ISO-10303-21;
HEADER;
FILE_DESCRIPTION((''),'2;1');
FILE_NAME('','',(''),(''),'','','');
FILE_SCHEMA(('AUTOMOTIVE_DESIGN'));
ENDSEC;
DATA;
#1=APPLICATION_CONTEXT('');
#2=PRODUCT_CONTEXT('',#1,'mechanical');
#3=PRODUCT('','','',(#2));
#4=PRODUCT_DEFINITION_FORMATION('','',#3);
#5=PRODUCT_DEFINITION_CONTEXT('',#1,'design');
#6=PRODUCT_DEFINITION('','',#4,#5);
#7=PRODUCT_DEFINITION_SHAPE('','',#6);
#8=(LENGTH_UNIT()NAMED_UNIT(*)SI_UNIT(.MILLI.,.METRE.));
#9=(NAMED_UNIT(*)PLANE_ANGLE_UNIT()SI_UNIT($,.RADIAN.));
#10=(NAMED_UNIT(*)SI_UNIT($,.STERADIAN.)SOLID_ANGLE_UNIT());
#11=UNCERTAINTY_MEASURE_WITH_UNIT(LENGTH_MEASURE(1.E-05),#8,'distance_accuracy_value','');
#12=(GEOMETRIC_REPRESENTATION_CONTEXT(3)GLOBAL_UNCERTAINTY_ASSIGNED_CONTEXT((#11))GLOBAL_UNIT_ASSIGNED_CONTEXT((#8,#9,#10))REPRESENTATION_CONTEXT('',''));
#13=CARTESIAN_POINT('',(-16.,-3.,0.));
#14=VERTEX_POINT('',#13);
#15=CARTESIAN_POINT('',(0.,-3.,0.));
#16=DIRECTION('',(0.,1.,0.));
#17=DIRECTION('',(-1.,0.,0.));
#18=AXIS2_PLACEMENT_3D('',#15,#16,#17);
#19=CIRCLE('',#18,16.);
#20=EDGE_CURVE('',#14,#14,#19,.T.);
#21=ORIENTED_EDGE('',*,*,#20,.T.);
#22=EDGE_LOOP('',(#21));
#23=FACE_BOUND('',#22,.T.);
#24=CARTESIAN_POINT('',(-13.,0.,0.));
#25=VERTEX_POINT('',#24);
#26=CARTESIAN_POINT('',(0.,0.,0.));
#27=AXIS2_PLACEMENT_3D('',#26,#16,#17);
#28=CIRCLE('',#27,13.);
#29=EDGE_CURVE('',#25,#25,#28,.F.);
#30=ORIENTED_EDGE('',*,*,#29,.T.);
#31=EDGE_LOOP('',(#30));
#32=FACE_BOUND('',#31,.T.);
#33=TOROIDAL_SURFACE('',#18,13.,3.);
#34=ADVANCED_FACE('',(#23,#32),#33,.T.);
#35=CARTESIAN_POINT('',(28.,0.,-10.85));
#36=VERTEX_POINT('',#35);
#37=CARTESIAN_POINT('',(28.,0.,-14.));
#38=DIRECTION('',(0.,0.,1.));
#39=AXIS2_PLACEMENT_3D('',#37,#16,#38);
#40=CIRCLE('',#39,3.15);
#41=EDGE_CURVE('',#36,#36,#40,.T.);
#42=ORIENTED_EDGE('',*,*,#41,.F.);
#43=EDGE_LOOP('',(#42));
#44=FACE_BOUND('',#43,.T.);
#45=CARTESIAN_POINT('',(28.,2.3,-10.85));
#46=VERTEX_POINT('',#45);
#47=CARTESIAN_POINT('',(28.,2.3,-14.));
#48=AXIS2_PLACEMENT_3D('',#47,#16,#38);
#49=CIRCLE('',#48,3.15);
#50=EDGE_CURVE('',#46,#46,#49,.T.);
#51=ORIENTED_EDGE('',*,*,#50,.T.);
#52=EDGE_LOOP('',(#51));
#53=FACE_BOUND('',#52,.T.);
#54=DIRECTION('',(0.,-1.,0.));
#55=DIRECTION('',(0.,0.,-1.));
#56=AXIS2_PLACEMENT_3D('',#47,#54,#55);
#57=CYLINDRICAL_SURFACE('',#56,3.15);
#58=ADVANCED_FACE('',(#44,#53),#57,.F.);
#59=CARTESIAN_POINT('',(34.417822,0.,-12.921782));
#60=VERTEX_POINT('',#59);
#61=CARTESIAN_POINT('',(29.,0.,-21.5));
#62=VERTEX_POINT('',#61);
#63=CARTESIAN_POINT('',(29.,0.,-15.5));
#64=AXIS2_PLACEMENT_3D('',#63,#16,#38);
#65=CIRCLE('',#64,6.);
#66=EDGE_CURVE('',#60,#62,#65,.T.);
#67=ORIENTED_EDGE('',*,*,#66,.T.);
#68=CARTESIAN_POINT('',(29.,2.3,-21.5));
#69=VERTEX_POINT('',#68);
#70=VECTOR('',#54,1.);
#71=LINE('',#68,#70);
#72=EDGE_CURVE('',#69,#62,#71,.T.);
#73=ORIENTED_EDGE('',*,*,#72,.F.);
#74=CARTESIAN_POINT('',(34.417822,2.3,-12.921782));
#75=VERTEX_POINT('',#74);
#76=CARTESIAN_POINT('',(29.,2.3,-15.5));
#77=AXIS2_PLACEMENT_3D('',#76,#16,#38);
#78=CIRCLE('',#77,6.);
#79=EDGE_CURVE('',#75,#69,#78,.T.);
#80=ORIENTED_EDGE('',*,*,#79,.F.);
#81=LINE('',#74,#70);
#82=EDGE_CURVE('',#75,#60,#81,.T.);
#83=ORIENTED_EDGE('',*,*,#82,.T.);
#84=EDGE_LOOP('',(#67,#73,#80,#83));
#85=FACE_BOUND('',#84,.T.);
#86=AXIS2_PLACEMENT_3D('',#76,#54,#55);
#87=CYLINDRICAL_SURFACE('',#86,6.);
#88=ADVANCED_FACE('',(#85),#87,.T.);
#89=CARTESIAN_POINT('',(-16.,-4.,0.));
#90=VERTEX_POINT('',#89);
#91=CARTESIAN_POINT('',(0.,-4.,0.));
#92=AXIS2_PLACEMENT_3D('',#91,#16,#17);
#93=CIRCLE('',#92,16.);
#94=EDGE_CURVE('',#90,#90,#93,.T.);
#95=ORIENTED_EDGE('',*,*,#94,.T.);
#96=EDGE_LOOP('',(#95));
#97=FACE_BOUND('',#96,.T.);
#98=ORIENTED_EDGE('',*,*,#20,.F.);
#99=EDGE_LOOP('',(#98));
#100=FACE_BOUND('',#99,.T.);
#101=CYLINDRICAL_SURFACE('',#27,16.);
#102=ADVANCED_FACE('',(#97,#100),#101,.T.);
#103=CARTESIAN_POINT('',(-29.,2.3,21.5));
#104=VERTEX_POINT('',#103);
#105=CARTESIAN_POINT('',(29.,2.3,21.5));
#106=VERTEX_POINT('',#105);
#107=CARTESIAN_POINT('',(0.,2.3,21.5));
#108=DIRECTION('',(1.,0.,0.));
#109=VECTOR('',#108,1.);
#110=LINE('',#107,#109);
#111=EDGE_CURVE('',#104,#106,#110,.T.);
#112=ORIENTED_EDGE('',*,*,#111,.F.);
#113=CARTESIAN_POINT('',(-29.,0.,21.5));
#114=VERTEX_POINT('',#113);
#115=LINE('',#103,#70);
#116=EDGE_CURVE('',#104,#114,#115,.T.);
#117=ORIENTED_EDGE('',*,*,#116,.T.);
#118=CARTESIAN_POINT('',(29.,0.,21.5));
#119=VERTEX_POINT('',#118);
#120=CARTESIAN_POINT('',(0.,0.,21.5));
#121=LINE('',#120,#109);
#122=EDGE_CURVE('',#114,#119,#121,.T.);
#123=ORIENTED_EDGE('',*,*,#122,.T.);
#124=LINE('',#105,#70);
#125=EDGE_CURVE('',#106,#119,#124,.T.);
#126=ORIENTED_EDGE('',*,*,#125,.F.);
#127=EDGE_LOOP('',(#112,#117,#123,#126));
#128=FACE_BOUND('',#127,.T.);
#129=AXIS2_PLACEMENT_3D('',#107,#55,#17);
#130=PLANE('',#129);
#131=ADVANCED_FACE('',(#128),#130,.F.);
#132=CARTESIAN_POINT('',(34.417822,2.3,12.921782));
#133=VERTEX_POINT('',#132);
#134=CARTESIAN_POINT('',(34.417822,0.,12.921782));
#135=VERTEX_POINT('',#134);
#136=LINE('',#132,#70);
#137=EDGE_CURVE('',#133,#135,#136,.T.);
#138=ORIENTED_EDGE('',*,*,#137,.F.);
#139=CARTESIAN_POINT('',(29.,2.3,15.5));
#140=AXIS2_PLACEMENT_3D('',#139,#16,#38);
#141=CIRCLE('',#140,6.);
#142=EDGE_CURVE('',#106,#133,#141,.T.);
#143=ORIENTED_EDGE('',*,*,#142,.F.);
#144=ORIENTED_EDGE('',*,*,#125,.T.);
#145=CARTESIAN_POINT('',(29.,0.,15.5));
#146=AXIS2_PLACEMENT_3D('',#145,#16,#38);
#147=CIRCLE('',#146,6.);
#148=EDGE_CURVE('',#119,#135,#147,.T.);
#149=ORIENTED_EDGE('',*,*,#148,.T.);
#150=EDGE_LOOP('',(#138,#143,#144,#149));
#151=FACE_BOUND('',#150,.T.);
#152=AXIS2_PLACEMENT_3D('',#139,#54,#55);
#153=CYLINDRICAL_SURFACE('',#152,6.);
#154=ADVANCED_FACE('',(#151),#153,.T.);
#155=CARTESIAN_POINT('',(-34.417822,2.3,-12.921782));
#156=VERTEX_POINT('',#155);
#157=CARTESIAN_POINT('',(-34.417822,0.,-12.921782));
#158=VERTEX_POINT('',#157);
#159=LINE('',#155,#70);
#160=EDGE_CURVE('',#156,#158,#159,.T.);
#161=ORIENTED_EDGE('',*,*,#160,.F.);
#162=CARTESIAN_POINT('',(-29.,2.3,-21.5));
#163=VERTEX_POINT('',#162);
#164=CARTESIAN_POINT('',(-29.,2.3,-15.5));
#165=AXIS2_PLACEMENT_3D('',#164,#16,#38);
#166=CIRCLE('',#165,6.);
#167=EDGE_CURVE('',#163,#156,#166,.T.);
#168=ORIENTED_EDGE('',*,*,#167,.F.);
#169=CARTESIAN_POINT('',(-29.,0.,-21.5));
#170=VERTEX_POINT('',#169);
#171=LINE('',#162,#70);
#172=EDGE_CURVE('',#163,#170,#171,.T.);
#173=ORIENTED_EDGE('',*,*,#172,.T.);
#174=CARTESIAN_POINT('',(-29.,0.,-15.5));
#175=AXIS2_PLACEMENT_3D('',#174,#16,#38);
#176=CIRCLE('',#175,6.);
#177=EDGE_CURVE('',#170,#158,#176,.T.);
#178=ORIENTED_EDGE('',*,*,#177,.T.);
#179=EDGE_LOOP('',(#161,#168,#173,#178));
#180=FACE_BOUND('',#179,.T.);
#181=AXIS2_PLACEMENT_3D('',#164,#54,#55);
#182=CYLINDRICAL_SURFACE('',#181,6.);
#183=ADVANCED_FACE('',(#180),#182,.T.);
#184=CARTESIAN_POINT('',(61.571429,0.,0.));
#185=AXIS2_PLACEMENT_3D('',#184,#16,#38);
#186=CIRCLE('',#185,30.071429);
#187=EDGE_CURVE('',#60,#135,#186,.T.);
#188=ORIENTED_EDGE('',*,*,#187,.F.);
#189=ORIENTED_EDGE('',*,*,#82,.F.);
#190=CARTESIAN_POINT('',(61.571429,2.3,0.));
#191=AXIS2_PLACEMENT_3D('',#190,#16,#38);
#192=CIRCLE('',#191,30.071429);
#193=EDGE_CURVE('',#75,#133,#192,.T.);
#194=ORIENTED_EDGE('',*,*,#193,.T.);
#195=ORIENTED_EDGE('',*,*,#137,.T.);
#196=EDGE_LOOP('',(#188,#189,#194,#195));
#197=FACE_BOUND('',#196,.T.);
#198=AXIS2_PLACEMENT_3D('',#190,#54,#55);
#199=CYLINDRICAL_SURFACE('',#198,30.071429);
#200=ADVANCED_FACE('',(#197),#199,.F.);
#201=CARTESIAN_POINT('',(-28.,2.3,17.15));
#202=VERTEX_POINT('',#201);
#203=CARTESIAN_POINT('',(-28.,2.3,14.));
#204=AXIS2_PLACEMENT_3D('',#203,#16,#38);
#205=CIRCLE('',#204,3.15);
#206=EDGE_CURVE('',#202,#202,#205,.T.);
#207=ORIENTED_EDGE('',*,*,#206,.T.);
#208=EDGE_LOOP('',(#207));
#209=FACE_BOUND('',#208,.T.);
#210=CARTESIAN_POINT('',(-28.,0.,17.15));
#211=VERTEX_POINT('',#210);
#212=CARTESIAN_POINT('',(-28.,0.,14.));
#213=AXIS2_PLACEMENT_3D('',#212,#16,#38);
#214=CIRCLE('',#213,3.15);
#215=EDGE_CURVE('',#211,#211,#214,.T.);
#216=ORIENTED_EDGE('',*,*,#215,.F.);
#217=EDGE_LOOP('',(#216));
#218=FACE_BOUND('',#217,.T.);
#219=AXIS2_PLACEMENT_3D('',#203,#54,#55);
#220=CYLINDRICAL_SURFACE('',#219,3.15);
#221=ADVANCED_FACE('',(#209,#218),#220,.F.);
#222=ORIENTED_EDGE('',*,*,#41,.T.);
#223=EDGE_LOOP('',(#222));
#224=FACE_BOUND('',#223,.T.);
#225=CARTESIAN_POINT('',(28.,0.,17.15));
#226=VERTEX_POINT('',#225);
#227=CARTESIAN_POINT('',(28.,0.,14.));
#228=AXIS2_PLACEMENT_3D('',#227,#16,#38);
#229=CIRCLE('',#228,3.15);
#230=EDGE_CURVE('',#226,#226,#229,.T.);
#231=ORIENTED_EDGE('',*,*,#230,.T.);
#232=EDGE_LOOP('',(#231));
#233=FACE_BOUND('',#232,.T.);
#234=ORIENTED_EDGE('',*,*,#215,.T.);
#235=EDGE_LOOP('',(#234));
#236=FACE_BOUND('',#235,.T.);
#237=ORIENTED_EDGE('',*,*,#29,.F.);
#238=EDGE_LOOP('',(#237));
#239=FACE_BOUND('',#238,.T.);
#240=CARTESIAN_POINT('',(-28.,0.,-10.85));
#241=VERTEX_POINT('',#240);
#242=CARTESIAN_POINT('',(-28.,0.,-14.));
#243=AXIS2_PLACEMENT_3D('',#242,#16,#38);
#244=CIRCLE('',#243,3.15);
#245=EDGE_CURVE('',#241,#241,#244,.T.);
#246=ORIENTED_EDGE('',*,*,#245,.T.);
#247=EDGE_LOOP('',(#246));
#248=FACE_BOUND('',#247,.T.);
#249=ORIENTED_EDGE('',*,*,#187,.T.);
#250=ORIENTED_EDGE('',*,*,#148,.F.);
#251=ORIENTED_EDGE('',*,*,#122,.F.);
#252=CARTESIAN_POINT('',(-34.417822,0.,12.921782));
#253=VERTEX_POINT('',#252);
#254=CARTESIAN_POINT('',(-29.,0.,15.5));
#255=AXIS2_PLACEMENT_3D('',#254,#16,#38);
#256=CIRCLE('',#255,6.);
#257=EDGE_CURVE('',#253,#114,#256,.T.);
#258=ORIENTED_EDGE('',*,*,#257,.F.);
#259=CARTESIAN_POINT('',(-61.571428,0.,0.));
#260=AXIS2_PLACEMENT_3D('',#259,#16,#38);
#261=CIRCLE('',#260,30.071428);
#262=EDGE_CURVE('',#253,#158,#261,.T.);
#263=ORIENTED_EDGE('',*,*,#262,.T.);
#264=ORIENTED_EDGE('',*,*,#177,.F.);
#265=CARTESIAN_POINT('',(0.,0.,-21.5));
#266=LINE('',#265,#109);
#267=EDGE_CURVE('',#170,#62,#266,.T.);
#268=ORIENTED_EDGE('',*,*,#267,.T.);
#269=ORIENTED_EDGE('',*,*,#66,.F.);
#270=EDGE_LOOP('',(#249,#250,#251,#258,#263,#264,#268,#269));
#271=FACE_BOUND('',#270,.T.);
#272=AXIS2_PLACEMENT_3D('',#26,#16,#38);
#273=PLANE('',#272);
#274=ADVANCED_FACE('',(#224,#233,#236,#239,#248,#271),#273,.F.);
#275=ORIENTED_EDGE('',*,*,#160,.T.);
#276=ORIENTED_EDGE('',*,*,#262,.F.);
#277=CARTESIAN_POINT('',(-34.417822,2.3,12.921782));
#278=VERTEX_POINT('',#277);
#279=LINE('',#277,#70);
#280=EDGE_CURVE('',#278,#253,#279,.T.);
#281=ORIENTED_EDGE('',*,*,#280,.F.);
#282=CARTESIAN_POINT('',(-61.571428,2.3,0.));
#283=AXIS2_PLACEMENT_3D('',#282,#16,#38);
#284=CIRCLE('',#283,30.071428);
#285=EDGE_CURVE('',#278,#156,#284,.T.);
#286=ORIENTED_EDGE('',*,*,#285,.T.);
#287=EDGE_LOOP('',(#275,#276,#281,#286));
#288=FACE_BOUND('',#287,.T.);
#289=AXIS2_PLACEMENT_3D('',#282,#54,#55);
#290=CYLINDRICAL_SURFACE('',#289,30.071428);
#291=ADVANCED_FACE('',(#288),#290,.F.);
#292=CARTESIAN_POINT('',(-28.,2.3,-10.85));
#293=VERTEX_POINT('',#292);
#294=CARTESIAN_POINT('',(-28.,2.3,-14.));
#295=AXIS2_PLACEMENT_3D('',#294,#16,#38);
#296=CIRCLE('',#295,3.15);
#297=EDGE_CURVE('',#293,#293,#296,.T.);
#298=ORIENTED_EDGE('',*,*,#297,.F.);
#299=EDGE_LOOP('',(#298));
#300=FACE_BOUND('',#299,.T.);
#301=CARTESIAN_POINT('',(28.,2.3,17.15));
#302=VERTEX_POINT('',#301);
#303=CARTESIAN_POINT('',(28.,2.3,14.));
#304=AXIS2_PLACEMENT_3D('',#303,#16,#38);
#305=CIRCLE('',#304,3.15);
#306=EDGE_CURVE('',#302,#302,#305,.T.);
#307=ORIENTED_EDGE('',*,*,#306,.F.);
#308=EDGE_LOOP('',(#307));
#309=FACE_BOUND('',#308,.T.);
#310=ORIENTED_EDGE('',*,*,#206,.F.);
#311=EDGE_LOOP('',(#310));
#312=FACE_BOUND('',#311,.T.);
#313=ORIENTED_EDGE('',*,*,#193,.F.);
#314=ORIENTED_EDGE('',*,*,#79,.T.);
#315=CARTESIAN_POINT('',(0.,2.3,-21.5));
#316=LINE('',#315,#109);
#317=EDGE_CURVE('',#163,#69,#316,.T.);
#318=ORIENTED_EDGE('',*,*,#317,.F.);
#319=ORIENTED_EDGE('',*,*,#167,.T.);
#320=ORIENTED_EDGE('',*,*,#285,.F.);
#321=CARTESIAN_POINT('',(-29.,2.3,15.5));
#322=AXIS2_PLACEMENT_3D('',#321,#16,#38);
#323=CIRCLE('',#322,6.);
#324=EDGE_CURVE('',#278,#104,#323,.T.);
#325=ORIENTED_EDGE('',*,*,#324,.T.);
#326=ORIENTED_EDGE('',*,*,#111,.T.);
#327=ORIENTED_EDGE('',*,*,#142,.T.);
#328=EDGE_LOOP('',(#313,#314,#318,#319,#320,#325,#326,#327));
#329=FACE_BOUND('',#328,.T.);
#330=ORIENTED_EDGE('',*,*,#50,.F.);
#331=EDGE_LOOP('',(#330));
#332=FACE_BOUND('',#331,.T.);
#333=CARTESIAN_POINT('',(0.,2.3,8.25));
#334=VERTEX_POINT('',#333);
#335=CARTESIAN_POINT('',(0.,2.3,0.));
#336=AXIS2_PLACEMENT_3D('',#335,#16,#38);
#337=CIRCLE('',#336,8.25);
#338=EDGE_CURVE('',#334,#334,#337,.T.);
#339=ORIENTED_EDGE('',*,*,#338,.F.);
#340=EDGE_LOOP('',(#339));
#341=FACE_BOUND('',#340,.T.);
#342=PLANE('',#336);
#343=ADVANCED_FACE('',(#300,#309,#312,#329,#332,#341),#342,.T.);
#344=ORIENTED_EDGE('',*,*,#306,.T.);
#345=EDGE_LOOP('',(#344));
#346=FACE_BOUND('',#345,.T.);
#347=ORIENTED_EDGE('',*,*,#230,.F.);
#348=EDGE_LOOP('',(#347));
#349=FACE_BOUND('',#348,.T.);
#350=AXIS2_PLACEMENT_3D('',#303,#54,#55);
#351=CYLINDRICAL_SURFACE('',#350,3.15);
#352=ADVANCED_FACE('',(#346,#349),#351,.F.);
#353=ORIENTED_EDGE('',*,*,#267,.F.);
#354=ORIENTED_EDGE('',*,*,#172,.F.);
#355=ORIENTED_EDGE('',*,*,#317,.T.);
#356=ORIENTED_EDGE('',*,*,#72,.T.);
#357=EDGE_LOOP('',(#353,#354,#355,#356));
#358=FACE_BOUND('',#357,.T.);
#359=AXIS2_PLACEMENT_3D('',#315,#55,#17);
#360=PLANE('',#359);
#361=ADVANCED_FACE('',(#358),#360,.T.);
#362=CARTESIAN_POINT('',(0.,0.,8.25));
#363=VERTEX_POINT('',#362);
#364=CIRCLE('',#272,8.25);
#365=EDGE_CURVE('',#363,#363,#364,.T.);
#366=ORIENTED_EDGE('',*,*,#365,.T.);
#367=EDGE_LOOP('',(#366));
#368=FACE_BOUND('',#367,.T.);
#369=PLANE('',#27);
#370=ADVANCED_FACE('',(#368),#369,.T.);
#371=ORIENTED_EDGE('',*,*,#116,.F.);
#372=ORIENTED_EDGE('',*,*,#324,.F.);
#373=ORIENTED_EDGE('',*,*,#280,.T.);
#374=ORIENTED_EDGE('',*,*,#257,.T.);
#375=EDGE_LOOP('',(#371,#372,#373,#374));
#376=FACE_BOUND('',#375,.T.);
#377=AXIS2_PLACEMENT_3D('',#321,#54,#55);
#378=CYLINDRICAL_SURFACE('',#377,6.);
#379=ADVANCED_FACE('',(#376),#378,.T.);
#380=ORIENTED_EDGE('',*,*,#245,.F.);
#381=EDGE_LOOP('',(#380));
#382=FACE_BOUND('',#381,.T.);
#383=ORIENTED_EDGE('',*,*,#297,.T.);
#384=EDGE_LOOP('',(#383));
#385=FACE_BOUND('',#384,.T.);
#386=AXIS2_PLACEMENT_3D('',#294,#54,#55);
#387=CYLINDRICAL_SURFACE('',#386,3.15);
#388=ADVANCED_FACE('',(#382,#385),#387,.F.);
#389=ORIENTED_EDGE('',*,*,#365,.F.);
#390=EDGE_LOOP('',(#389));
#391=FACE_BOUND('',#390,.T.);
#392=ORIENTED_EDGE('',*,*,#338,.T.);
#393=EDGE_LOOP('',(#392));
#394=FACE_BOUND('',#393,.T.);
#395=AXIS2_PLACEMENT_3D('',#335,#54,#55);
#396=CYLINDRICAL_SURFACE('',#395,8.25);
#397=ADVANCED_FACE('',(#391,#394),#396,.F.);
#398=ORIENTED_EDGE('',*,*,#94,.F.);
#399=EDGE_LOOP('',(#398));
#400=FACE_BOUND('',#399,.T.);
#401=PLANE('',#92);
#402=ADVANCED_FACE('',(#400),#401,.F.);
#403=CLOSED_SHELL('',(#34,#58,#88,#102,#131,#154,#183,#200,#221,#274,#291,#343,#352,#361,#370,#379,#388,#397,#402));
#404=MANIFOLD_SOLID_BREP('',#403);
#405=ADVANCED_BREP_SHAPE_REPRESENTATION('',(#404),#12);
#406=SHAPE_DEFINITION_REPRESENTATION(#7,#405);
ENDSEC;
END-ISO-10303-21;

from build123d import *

# Parameters (mm, degrees)
SKETCH_2_R      = 3.15
SKETCH_2_R_2    = 8.25
EXTRUDE_1_DEPTH = 2.3


with BuildPart() as part:
    # ｽｹｯﾁ2 → ﾎﾞｽ - 押し出し1 (new body)
    with BuildSketch(Plane(origin=(0, 0, 0), x_dir=(1, 0, 0), z_dir=(0, 1, 0))):
        with BuildLine():
            Line((-29, 21.5), (29, 21.5))
            ThreePointArc((29, 21.5), (34.072933408, 18.703957965), (34.417821799, 12.921782213))
            ThreePointArc((34.417821799, 12.921782213), (31.500000042, 0), (34.417821799, -12.921782213))
            ThreePointArc((34.417821799, -12.921782213), (34.072933408, -18.703957965), (29, -21.5))
            Line((29, -21.5), (-29, -21.5))
            ThreePointArc((-29, -21.5), (-34.072933408, -18.703957965), (-34.417821799, -12.921782213))
            ThreePointArc((-34.417821799, -12.921782213), (-31.499999945, 0), (-34.417821799, 12.921782213))
            ThreePointArc((-34.417821799, 12.921782213), (-34.072933408, 18.703957965), (-29, 21.5))
        make_face()
        with Locations(Location((28, 14, 0), (0, 0, 270))):
            Circle(SKETCH_2_R, mode=Mode.SUBTRACT)
        with Locations(Location((28, -14, 0), (0, 0, 270))):
            Circle(SKETCH_2_R, mode=Mode.SUBTRACT)
        with Locations(Location((-28, 14, 0), (0, 0, 270))):
            Circle(SKETCH_2_R, mode=Mode.SUBTRACT)
        with Locations(Location((-28, -14, 0), (0, 0, 270))):
            Circle(SKETCH_2_R, mode=Mode.SUBTRACT)
        with Locations(Location((0, 0, 0), (0, 0, 270))):
            Circle(SKETCH_2_R_2, mode=Mode.SUBTRACT)
    extrude(amount=EXTRUDE_1_DEPTH)

    # ｽｹｯﾁ4 → 回転1 (revolve)
    with BuildSketch(Plane.XY, mode=Mode.PRIVATE) as revolve_1_sk:
        with BuildLine():
            Line((13, 0), (0, 0))
            Line((0, 0), (0, -4))
            Line((0, -4), (16, -4))
            Line((16, -4), (16, -3))
            ThreePointArc((16, -3), (15.121320344, -0.878679656), (13, 0))
        make_face()
    revolve(revolve_1_sk.sketch.rotate(Axis((0, 0, 0), (0, -1, 0)), 180), axis=Axis((0, 0, 0), (0, -1, 0)))


solid = part.part
